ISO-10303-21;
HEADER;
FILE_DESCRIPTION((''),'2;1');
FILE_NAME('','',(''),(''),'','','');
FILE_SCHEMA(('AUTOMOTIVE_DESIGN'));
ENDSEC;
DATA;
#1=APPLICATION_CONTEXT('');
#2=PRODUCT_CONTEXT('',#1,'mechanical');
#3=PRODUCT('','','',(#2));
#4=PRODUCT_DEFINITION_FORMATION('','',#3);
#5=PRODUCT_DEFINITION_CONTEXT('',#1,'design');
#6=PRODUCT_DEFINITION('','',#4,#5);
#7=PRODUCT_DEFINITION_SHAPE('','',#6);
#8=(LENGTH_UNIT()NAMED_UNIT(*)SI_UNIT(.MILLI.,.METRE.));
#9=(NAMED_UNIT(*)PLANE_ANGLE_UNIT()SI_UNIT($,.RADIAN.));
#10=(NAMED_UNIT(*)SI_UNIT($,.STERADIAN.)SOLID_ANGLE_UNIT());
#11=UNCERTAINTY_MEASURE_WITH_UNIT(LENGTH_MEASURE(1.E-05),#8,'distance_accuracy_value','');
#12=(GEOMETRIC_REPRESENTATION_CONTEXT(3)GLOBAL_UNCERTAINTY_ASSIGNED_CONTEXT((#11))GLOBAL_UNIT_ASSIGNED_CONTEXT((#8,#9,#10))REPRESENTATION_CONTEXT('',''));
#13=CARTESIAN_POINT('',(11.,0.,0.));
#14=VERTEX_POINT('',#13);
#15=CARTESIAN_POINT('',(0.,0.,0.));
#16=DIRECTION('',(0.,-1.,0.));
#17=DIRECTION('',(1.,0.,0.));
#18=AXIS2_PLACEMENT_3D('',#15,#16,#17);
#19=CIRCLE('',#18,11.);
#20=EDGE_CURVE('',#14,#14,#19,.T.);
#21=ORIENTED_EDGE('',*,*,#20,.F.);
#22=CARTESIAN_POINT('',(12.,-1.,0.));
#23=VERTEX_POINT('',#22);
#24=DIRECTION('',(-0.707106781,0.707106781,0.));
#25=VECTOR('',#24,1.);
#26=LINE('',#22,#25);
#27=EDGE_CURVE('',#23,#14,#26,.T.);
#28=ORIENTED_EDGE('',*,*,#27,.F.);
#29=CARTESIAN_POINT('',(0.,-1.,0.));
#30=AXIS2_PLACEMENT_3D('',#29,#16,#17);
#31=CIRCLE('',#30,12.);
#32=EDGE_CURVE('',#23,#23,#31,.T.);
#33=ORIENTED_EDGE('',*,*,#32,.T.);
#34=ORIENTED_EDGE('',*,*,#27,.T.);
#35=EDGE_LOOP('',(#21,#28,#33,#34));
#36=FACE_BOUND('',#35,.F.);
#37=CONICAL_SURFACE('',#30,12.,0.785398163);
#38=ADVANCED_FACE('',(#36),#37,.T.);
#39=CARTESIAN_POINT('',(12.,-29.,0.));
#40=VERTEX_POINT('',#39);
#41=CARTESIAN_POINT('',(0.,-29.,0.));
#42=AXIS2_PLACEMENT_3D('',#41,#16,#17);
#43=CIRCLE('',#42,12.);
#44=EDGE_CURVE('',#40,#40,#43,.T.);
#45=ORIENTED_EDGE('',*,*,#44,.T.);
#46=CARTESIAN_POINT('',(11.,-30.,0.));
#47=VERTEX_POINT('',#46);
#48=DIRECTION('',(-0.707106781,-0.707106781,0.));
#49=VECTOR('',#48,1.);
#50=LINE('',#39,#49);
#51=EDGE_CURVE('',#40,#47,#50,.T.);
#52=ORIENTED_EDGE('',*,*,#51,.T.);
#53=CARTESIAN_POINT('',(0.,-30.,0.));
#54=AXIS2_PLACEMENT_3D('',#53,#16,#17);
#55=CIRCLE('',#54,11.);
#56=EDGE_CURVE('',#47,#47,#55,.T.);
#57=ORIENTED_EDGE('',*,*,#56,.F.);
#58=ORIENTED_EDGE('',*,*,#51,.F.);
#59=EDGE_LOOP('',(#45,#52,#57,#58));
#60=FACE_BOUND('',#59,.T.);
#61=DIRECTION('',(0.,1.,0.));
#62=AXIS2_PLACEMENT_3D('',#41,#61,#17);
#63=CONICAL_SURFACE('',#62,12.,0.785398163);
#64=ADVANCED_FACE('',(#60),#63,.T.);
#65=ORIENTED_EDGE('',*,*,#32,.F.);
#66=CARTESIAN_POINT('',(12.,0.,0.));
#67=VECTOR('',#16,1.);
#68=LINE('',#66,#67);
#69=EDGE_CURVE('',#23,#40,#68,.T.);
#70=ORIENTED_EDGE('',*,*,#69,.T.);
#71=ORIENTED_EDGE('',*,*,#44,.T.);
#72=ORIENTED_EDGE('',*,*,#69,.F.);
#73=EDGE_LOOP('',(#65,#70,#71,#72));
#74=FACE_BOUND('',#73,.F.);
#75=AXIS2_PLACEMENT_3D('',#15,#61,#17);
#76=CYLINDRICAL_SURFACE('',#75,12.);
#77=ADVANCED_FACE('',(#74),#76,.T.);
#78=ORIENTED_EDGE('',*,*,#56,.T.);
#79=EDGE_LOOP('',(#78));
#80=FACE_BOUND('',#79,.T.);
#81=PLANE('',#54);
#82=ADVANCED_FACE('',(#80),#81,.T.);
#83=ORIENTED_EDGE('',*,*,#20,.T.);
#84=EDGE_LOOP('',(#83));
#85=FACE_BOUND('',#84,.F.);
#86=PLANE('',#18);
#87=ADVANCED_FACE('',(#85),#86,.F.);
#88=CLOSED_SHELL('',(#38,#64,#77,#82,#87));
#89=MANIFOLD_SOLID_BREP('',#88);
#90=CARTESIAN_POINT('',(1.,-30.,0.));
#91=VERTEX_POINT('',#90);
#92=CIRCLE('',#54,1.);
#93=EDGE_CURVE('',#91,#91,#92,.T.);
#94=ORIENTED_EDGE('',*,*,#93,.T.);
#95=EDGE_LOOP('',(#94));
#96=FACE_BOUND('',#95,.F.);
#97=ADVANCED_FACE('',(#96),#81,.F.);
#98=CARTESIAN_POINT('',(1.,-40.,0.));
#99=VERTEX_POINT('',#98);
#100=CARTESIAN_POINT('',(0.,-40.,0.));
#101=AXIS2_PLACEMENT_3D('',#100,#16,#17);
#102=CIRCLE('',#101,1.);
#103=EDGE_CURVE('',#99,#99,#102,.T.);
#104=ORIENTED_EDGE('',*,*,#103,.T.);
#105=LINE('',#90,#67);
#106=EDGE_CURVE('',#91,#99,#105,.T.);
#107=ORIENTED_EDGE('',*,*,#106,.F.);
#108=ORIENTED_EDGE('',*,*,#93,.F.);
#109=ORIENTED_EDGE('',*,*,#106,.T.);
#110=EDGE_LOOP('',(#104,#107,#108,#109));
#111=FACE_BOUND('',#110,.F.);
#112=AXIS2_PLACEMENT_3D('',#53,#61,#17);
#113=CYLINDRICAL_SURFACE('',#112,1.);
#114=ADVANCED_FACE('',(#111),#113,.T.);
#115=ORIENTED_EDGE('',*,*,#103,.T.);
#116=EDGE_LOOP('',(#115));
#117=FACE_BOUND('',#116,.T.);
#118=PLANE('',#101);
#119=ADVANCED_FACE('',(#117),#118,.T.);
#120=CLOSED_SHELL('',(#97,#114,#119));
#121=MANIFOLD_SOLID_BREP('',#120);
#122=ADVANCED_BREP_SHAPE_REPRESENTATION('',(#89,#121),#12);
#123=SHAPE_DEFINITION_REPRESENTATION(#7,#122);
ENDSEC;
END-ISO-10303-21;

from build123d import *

# Parameters (mm, degrees)
F0_R     = 12
F1_DEPTH = 30
F2_SIZE  = 1
F3_R     = 1
F4_DEPTH = 10


with BuildPart() as f1:
    # F0 (on Front) → F1 (new body)
    with BuildSketch(Plane.XZ):
        Circle(F0_R)
    extrude(amount=F1_DEPTH)

    # F2
    f2_edges = [f1.edges().sort_by_distance(p)[0] for p in [
        (-12, -30, 0),
        (-12, 0, 0),
    ]]
    chamfer(f2_edges, length=F2_SIZE)


with BuildPart() as f4:
    # F3 (on face) → F4 (new body)
    with BuildSketch(Plane.XZ.offset(30)):
        Circle(F3_R)
    extrude(amount=F4_DEPTH)


solid = Compound([f1.part, f4.part])
